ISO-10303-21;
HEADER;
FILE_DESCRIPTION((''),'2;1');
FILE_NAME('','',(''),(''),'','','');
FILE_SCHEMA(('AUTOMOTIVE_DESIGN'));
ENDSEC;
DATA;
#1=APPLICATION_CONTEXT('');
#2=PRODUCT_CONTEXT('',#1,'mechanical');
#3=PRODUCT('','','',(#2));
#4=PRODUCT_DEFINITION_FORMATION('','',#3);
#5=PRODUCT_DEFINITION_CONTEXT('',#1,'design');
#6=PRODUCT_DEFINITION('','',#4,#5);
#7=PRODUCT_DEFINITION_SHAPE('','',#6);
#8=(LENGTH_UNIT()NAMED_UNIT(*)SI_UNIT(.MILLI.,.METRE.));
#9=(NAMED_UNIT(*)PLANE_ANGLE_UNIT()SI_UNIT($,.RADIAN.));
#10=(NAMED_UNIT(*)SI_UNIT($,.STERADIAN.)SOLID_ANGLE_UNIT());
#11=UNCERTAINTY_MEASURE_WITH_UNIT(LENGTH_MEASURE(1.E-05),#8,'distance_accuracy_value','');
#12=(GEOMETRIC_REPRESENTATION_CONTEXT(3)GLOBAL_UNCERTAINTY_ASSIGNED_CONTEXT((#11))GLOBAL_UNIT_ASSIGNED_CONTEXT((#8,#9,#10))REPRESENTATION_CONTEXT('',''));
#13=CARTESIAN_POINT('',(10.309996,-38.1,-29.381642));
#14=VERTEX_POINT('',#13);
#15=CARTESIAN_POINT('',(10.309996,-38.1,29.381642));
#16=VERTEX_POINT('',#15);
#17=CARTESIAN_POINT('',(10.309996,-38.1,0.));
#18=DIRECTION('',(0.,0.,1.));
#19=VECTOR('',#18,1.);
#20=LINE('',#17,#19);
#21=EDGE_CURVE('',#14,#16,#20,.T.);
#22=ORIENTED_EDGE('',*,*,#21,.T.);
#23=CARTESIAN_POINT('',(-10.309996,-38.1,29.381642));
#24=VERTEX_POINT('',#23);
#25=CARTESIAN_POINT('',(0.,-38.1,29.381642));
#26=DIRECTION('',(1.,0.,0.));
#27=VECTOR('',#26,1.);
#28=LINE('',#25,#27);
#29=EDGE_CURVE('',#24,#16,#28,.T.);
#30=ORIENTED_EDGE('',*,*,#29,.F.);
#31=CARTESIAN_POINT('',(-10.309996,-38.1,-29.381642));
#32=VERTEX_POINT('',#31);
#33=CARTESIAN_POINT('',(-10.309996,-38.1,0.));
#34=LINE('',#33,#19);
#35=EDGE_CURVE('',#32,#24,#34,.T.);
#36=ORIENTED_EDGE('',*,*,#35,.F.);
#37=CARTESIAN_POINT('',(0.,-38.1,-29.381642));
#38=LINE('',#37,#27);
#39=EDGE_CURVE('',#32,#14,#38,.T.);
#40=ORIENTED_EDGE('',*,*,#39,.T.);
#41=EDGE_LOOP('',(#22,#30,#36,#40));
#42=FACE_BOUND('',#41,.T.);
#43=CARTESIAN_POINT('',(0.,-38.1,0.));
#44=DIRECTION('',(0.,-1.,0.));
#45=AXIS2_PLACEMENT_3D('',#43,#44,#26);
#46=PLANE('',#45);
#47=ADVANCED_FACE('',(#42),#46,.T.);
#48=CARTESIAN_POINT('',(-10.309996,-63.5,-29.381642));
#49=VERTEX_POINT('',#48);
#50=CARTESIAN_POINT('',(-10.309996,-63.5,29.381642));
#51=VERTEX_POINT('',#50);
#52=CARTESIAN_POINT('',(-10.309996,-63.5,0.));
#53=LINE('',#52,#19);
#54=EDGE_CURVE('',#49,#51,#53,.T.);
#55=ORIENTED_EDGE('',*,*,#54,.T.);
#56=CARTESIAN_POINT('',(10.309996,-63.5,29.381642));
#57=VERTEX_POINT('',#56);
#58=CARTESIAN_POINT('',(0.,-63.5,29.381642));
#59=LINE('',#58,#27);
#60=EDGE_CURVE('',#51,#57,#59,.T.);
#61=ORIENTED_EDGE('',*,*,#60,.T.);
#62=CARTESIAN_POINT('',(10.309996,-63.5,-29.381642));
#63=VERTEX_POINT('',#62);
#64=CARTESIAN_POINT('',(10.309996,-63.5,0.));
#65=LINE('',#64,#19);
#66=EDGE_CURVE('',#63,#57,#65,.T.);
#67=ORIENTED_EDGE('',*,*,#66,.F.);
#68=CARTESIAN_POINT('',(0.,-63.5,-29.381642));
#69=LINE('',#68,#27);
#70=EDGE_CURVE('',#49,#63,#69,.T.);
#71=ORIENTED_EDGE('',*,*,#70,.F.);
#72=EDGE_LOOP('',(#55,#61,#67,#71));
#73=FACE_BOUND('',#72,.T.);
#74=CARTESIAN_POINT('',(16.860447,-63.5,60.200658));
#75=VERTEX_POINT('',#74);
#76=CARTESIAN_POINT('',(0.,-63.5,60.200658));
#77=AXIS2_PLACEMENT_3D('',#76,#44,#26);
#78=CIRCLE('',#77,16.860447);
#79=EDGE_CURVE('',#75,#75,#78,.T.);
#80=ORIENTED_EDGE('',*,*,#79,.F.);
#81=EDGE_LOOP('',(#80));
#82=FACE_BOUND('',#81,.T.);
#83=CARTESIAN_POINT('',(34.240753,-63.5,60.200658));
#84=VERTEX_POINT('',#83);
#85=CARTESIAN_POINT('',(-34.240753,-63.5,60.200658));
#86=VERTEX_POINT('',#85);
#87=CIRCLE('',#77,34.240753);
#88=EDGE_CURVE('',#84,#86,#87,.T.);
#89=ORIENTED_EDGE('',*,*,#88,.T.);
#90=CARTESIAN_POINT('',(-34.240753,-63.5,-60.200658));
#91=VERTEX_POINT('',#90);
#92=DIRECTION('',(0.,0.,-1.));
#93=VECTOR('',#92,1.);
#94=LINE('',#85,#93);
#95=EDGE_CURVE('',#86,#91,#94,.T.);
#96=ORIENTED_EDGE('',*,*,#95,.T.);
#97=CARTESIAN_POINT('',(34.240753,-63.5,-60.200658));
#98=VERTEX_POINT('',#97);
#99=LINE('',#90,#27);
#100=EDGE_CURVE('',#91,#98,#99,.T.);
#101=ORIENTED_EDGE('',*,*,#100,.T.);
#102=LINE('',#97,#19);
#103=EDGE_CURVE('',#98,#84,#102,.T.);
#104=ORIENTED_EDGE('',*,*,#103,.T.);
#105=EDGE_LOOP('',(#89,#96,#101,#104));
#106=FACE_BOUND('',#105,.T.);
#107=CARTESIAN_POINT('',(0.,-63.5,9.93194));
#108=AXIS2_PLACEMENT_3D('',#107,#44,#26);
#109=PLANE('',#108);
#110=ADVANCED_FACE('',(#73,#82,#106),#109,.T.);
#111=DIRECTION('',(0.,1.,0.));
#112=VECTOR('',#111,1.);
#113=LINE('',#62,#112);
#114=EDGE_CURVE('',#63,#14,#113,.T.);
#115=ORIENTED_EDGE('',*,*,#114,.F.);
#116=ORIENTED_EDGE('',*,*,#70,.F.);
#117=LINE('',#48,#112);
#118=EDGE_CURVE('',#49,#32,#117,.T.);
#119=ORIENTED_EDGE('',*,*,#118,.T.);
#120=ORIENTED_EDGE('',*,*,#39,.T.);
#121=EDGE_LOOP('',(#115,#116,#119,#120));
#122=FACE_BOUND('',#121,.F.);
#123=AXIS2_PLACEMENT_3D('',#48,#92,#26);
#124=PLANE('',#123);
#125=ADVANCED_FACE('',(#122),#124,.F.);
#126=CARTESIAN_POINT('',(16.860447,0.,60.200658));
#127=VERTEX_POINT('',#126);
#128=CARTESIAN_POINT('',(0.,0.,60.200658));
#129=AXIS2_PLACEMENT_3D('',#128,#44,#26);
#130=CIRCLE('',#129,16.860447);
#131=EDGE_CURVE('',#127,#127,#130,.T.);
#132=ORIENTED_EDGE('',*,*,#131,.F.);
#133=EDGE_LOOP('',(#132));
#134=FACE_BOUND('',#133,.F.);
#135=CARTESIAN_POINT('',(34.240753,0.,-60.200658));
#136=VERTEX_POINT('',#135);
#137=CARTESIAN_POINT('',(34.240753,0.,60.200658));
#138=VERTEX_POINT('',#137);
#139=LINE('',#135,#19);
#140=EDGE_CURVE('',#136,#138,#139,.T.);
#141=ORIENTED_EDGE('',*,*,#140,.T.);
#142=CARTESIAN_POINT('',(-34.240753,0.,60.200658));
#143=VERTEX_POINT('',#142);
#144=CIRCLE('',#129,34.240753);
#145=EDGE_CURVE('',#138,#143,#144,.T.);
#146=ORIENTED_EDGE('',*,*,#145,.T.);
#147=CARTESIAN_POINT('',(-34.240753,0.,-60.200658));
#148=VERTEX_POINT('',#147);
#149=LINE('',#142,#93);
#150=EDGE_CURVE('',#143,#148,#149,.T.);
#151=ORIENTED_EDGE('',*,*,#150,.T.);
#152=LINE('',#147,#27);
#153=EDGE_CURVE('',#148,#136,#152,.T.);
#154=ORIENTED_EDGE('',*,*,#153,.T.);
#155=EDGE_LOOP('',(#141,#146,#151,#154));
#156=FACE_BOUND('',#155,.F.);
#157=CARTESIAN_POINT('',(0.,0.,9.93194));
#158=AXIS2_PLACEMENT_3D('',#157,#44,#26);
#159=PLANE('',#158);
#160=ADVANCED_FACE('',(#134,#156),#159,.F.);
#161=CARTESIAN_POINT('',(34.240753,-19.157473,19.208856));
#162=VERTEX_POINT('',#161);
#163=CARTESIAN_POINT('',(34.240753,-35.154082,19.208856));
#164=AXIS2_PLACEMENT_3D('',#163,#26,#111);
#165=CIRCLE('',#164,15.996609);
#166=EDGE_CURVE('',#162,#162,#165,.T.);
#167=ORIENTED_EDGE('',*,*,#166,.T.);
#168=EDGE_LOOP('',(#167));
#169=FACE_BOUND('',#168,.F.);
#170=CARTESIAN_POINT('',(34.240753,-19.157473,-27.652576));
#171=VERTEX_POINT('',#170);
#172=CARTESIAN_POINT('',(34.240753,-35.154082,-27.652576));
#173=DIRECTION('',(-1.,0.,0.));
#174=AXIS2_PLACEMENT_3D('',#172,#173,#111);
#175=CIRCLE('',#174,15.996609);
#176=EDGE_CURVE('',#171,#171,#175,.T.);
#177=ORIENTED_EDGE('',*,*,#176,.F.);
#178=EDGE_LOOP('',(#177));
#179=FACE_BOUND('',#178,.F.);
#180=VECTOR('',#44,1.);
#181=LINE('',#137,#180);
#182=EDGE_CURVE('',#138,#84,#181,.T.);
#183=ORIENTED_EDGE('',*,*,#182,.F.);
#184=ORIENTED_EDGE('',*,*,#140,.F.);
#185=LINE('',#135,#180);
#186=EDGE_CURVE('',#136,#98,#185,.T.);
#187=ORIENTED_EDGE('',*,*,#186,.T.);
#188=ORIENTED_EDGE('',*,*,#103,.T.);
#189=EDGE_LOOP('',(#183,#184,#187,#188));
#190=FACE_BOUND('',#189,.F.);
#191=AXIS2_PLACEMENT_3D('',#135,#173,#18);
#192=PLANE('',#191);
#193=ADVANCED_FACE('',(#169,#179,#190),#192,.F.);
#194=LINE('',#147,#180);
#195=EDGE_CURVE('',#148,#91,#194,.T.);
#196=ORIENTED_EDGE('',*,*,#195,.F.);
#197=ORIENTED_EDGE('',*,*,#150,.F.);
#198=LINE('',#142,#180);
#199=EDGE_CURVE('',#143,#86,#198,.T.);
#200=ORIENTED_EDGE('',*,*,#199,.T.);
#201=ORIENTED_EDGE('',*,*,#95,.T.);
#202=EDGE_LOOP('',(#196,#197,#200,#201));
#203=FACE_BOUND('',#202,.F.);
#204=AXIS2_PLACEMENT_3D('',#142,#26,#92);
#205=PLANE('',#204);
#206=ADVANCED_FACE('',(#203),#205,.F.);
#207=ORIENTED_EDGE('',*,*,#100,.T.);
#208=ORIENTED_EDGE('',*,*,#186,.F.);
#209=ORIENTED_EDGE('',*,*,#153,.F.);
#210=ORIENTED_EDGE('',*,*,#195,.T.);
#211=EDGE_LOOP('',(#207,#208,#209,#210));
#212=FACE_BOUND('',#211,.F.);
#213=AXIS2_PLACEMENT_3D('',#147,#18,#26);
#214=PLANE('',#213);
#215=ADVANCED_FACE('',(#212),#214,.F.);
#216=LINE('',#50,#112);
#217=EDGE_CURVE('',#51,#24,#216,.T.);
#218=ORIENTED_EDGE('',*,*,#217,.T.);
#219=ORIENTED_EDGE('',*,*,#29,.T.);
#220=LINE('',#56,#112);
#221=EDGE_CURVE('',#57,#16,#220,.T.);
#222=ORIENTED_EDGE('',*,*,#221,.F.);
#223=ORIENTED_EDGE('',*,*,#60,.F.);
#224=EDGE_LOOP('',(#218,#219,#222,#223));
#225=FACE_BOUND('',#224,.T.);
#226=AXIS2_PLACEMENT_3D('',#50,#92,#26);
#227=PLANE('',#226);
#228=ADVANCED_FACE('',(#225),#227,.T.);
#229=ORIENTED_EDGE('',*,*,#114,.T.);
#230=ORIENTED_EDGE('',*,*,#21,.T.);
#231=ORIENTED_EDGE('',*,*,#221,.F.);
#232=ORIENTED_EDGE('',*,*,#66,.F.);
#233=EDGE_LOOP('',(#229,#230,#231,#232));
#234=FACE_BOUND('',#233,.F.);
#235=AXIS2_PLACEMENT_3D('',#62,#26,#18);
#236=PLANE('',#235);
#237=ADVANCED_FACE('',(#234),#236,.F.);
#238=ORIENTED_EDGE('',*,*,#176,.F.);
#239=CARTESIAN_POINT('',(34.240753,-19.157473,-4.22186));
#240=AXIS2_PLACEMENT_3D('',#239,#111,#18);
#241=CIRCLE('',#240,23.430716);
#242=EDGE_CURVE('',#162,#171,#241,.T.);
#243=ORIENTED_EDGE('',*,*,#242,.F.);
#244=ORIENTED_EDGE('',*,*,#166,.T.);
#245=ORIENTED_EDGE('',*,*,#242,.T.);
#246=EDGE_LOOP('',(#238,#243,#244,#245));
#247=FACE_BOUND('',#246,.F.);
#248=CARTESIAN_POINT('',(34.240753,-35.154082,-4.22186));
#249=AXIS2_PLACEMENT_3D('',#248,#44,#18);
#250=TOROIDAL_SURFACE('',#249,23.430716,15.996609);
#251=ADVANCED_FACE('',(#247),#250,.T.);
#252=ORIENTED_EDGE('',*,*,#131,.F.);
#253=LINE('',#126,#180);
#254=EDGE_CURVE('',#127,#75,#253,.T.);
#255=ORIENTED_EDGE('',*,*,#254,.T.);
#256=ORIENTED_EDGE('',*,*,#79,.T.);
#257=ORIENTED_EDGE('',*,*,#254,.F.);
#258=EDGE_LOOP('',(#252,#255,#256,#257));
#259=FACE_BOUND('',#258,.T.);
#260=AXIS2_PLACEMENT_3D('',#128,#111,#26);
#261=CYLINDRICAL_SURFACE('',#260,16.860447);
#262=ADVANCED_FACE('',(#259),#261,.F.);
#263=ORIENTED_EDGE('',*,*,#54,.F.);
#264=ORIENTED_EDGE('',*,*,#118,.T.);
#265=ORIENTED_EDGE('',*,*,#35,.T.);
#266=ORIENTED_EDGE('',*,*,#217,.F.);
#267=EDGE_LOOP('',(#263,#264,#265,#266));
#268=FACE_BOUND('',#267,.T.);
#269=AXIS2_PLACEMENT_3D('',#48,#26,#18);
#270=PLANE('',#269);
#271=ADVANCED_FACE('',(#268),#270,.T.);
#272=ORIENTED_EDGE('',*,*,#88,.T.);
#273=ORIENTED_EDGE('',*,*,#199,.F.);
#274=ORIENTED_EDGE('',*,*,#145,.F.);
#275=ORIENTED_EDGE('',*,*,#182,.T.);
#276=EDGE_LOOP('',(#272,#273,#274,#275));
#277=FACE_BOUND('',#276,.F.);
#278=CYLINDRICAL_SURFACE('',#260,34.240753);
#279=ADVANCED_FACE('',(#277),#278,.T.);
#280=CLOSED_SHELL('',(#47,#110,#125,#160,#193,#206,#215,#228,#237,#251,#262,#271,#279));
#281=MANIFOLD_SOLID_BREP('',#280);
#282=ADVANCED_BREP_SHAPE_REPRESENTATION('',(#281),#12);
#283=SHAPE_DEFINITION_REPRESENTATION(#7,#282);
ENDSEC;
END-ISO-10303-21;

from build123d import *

# Parameters (mm, degrees)
F0_R     = 16.860447
F1_DEPTH = 63.5
F2_W     = 20.619992
F2_H     = 58.763284
F3_DEPTH = 25.4
F5_R     = 15.996609
F6_ANGLE = 180


with BuildPart() as f1:
    # F0 (on Front) → F1 (new body)
    with BuildSketch(Plane.XZ):
        with BuildLine():
            Line((-34.240753, -60.200658), (34.240753, -60.200658))
            Line((34.240753, -60.200658), (34.240753, 60.200658))
            ThreePointArc((34.240753, 60.200658), (0, 94.441411), (-34.240753, 60.200658))
            Line((-34.240753, 60.200658), (-34.240753, -60.200658))
        make_face()
        with Locations((0, 60.200658)):
            Circle(F0_R, mode=Mode.SUBTRACT)
    extrude(amount=F1_DEPTH)

    # F2 (on face) → F3 (cut)
    with BuildSketch(Plane.XZ.offset(63.5)):
        Rectangle(F2_W, F2_H)
    extrude(amount=-F3_DEPTH, mode=Mode.SUBTRACT)

    # F5 (on face) → F6 (revolve)
    with BuildSketch(Plane.YZ.offset(34.240753)):
        with Locations((-35.154082, 19.208856)):
            Circle(F5_R)
    revolve(axis=Axis((34.240753, -31.75, -4.22186), (0, 1, 0)), revolution_arc=F6_ANGLE)


solid = f1.part
